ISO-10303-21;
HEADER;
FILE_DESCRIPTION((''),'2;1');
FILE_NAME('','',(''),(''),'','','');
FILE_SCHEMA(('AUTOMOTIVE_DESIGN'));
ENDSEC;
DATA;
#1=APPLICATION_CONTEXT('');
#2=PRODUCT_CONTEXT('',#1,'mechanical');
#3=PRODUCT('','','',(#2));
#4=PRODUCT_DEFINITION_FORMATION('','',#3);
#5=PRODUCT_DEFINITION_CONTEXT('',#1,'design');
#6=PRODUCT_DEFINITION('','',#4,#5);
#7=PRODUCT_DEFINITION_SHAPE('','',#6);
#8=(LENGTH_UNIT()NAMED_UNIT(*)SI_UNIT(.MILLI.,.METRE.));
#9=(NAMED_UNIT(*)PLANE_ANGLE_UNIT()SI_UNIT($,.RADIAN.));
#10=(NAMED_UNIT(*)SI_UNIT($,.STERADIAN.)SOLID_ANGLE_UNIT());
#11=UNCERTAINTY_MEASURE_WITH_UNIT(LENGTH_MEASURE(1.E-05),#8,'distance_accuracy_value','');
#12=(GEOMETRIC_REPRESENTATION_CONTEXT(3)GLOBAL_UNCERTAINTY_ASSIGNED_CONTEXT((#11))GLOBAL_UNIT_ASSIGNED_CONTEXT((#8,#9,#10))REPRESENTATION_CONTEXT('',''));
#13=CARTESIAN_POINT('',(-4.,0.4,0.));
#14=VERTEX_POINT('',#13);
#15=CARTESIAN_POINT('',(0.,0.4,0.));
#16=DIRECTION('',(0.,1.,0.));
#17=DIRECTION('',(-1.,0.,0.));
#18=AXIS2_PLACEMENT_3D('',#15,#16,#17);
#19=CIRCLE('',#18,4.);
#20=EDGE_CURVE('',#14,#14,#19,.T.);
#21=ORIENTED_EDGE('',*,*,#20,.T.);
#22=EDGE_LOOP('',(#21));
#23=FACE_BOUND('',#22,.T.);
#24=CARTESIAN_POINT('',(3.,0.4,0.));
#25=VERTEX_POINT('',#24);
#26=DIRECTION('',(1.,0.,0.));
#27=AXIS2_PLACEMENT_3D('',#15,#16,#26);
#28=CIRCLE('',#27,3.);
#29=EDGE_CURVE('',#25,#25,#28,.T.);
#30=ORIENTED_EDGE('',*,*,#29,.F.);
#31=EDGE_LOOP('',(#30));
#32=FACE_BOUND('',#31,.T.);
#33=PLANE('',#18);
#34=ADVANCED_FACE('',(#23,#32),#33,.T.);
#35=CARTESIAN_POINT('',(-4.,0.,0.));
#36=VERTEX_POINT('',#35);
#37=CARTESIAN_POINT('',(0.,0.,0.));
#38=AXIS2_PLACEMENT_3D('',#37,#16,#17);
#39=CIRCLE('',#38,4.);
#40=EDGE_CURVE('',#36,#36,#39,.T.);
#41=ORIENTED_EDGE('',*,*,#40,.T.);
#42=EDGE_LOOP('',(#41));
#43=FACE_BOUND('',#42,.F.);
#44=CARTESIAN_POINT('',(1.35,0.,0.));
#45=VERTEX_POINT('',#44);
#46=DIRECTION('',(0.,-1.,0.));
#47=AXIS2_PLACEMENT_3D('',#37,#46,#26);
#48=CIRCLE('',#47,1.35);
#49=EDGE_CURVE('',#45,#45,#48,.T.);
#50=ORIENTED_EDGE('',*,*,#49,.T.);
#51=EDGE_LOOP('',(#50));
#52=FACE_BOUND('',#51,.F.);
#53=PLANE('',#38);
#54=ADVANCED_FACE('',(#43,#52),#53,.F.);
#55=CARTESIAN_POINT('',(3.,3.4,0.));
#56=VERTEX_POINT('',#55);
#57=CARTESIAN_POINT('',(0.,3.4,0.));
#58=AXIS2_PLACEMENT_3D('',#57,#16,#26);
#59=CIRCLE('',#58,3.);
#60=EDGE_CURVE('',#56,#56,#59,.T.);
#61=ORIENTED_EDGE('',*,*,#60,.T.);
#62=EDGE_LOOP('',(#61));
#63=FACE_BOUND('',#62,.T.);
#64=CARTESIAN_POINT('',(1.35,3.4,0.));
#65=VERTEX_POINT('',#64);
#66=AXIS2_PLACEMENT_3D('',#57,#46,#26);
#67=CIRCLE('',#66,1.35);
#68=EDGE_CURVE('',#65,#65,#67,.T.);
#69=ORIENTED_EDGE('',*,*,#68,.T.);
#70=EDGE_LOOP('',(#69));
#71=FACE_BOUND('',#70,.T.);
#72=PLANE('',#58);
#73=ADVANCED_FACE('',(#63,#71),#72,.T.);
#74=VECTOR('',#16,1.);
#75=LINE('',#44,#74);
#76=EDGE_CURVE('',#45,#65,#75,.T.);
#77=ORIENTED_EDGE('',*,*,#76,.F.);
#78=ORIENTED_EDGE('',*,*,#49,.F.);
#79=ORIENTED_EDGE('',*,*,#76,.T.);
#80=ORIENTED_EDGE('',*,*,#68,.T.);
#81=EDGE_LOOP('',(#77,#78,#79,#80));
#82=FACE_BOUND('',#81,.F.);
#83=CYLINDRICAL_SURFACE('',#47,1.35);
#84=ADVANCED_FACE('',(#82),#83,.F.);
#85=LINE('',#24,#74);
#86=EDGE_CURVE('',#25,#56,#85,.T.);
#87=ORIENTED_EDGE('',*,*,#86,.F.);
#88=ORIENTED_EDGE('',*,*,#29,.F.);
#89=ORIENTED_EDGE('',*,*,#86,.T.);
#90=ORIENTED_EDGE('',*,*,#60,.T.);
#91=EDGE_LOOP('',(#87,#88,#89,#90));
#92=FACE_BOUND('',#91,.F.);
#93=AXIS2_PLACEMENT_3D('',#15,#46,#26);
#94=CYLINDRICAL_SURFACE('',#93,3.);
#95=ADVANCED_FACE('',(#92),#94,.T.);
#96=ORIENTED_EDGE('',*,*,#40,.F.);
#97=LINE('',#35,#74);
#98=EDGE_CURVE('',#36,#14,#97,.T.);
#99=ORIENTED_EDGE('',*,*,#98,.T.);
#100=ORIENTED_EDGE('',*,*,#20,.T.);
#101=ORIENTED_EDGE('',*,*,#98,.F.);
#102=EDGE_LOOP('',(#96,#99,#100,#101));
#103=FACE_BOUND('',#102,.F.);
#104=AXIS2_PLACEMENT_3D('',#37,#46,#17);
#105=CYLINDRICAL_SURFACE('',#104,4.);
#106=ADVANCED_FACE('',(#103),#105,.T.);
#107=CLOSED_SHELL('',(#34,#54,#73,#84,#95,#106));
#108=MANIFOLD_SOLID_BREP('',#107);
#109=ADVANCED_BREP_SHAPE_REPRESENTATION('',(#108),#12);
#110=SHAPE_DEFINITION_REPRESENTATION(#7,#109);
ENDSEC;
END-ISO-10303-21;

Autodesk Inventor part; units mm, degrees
ref_plane "YZ Plane" through (0, 0, 0) normal (1, 0, 0) x (0, 1, 0)
ref_plane "XZ Plane" through (0, 0, 0) normal (0, 1, 0) x (-1, 0, 0)
ref_plane "XY Plane" through (0, 0, 0) normal (0, 0, 1) x (1, 0, 0)
sketch "スケッチ1" plane through (0, 0, 0) normal (0, 1, 0) x (-1, 0, 0)
  circle A0 centre (0, 0) radius 4
  dimension "d0" = 8
extrude "押し出し1" add sketch "スケッチ1" along normal blind 0.4
sketch "スケッチ2" plane through (0, 0.4, 0) normal (0, 1, 0) x (1, 0, 0)
  circle A0 centre (0, 0) radius 3
  dimension "d3" = 6
extrude "押し出し2" add sketch "スケッチ2" along normal blind 3
sketch "スケッチ3" plane through (0, 0, 0) normal (0, -1, 0) x (1, 0, 0)
  circle A0 centre (0, 0) radius 1.35
  dimension "d6" = 2.7
extrude "押し出し3" cut sketch "スケッチ3" against normal through all
properties part number "screw_bearing_setter"
